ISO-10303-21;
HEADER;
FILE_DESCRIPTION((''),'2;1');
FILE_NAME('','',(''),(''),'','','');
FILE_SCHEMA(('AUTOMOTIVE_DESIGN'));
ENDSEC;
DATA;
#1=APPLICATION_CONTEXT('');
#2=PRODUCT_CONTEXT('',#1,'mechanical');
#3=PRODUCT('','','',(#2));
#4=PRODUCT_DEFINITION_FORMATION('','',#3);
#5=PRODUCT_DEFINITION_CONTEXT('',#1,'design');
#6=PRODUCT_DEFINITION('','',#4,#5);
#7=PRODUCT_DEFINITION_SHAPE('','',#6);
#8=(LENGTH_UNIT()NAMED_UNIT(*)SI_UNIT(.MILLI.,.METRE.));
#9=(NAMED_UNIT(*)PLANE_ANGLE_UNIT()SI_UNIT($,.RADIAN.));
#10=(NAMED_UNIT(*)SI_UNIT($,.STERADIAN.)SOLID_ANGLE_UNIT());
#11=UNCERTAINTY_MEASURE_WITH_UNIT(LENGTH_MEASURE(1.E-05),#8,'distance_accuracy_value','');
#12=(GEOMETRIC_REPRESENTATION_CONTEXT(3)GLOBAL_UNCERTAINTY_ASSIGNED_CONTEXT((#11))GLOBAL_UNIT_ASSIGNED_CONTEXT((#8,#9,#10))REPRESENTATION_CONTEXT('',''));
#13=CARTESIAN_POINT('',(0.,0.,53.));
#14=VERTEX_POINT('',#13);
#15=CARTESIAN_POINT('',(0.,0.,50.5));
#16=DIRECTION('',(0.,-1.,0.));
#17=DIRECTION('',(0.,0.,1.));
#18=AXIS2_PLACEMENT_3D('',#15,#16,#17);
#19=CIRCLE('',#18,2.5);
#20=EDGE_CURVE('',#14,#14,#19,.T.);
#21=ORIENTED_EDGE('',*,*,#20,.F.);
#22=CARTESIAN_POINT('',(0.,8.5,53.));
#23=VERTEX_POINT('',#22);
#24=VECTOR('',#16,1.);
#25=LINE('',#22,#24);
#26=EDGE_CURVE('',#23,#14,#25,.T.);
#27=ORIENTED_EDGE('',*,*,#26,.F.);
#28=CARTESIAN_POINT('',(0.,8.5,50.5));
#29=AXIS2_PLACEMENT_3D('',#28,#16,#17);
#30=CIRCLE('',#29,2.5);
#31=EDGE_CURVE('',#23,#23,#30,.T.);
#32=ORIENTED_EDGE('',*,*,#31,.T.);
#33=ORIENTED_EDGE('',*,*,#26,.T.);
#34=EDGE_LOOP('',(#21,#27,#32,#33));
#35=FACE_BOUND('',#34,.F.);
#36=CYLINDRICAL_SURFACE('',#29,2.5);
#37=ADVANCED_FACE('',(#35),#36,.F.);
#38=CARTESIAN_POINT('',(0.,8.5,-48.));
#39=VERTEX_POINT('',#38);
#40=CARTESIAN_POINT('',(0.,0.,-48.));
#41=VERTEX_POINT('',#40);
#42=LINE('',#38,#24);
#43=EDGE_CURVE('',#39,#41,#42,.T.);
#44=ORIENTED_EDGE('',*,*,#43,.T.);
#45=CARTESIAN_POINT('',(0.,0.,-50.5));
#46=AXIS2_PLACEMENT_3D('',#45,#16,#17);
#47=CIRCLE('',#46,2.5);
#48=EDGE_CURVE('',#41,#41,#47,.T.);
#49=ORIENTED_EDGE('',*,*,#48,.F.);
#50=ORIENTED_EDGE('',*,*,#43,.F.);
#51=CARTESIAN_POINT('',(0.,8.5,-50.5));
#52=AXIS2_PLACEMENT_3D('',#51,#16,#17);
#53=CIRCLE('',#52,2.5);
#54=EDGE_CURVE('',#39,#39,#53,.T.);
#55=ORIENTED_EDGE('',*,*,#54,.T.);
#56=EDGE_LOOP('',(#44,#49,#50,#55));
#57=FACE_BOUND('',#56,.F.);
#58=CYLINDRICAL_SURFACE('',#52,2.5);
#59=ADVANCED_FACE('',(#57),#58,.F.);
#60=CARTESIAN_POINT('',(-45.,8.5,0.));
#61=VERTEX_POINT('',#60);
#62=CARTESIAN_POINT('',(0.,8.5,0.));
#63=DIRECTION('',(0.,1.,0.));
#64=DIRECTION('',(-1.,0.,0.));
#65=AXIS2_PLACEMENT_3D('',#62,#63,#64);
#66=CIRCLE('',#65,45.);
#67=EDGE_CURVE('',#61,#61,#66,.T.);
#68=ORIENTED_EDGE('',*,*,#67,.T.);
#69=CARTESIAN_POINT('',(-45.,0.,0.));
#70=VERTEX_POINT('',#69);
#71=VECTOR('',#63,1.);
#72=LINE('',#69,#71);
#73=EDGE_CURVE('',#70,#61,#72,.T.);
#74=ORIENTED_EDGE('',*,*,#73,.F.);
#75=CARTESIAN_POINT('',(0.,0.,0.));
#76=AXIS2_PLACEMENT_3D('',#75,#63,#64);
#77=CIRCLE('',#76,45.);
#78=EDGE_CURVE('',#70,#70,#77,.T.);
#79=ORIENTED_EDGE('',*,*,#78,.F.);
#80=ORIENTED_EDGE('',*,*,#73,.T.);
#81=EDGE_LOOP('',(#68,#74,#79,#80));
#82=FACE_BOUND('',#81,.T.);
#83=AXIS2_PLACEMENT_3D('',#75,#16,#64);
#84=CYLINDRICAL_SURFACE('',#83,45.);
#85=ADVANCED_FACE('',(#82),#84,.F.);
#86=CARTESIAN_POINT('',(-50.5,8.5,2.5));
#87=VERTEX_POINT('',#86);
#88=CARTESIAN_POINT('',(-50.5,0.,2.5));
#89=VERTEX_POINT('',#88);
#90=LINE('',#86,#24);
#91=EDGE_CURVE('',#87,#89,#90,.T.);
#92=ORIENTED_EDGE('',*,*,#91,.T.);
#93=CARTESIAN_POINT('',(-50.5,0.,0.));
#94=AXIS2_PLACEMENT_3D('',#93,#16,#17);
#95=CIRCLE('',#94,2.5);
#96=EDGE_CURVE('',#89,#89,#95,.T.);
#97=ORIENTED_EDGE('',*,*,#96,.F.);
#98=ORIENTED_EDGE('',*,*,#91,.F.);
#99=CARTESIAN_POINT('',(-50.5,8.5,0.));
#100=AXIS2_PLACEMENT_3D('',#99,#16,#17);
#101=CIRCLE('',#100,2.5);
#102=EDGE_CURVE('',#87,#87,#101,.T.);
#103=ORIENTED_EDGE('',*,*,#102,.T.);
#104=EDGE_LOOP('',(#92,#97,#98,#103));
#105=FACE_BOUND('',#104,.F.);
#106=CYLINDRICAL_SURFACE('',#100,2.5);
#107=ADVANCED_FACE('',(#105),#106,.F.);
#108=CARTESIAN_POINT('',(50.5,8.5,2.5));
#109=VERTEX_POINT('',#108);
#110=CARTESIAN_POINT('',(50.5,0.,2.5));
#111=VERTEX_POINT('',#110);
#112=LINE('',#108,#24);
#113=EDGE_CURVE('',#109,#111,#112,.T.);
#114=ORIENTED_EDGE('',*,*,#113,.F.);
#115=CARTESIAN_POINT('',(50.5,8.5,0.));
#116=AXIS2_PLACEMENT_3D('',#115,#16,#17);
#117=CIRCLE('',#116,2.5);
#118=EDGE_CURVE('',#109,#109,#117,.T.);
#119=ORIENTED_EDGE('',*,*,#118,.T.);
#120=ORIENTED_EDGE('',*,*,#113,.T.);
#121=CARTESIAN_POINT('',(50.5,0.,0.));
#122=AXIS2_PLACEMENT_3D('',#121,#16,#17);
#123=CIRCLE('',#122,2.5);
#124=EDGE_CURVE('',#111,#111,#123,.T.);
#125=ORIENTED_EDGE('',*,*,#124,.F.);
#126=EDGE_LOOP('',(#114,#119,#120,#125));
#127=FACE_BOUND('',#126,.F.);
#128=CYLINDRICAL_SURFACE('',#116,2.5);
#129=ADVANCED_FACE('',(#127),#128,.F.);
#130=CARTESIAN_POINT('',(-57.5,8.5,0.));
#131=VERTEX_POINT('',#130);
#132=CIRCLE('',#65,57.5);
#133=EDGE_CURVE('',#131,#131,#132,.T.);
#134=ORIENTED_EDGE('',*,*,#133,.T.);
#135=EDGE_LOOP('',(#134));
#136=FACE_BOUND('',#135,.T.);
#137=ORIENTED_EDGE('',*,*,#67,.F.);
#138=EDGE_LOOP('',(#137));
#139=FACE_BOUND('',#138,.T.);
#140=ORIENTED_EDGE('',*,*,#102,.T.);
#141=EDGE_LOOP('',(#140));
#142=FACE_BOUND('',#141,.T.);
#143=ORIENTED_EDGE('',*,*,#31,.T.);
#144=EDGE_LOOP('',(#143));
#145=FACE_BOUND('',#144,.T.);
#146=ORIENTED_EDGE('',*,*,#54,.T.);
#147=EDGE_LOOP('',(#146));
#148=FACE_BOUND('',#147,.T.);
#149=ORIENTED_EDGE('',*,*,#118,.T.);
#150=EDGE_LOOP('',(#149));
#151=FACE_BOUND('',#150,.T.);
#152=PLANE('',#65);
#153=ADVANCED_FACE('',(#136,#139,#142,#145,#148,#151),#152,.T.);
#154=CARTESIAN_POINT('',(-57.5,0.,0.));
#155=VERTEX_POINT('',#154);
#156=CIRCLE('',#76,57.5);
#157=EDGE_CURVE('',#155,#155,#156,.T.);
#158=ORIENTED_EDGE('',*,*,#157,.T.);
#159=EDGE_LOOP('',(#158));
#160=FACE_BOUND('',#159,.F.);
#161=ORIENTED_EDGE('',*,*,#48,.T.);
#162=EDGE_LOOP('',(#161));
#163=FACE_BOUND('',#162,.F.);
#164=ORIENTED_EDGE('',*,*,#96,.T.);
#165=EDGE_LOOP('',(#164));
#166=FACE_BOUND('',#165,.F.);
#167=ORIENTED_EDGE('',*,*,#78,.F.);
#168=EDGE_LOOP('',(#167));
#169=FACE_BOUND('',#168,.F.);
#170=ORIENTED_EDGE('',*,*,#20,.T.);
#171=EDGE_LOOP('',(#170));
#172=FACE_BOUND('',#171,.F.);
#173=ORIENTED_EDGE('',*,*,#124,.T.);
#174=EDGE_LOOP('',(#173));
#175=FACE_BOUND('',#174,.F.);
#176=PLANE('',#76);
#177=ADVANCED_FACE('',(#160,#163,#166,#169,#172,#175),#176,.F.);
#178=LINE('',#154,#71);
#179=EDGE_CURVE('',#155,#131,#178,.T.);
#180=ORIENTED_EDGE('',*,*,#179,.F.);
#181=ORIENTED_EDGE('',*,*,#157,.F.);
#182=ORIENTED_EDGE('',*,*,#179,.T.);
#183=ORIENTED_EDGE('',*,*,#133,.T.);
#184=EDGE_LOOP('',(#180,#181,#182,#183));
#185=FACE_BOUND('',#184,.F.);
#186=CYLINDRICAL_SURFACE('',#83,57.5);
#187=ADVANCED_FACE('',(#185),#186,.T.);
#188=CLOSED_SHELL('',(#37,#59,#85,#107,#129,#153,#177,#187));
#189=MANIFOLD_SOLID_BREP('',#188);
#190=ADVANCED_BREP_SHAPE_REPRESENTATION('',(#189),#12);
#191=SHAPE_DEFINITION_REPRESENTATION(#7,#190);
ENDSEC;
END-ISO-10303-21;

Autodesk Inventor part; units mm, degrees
ref_plane "YZ Plane" through (0, 0, 0) normal (1, 0, 0) x (0, 1, 0)
ref_plane "XZ Plane" through (0, 0, 0) normal (0, 1, 0) x (-1, 0, 0)
ref_plane "XY Plane" through (0, 0, 0) normal (0, 0, 1) x (1, 0, 0)
sketch "スケッチ1" plane through (0, 0, 0) normal (0, 1, 0) x (-1, 0, 0)
  circle A0 centre (0, 0) radius 45
  circle A1 centre (0, 0) radius 57.5
  dimension "d0" = 90
  dimension "d1" = 115
extrude "押し出し1" add sketch "スケッチ1" along normal blind 8.5
sketch "スケッチ2" plane through (0, 8.5, 0) normal (0, 1, 0) x (1, 0, 0)
  point P0 (0, 0)
  point P1 (-50.5, 0)
  point P2 (0, -50.5)
  point P3 (50.5, 0)
  point P4 (0, 50.5)
  dimension "d4" = 50.5
  dimension "d7" = 360
hole "穴1" at (-50.5, 8.5, 0) at (0, 8.5, 50.5) at (50.5, 8.5, 0) at (0, 8.5, -50.5) direction (0, -1, 0) diameter 5 end through all
properties part number "turntable1" material "アルミニウム 6061"
